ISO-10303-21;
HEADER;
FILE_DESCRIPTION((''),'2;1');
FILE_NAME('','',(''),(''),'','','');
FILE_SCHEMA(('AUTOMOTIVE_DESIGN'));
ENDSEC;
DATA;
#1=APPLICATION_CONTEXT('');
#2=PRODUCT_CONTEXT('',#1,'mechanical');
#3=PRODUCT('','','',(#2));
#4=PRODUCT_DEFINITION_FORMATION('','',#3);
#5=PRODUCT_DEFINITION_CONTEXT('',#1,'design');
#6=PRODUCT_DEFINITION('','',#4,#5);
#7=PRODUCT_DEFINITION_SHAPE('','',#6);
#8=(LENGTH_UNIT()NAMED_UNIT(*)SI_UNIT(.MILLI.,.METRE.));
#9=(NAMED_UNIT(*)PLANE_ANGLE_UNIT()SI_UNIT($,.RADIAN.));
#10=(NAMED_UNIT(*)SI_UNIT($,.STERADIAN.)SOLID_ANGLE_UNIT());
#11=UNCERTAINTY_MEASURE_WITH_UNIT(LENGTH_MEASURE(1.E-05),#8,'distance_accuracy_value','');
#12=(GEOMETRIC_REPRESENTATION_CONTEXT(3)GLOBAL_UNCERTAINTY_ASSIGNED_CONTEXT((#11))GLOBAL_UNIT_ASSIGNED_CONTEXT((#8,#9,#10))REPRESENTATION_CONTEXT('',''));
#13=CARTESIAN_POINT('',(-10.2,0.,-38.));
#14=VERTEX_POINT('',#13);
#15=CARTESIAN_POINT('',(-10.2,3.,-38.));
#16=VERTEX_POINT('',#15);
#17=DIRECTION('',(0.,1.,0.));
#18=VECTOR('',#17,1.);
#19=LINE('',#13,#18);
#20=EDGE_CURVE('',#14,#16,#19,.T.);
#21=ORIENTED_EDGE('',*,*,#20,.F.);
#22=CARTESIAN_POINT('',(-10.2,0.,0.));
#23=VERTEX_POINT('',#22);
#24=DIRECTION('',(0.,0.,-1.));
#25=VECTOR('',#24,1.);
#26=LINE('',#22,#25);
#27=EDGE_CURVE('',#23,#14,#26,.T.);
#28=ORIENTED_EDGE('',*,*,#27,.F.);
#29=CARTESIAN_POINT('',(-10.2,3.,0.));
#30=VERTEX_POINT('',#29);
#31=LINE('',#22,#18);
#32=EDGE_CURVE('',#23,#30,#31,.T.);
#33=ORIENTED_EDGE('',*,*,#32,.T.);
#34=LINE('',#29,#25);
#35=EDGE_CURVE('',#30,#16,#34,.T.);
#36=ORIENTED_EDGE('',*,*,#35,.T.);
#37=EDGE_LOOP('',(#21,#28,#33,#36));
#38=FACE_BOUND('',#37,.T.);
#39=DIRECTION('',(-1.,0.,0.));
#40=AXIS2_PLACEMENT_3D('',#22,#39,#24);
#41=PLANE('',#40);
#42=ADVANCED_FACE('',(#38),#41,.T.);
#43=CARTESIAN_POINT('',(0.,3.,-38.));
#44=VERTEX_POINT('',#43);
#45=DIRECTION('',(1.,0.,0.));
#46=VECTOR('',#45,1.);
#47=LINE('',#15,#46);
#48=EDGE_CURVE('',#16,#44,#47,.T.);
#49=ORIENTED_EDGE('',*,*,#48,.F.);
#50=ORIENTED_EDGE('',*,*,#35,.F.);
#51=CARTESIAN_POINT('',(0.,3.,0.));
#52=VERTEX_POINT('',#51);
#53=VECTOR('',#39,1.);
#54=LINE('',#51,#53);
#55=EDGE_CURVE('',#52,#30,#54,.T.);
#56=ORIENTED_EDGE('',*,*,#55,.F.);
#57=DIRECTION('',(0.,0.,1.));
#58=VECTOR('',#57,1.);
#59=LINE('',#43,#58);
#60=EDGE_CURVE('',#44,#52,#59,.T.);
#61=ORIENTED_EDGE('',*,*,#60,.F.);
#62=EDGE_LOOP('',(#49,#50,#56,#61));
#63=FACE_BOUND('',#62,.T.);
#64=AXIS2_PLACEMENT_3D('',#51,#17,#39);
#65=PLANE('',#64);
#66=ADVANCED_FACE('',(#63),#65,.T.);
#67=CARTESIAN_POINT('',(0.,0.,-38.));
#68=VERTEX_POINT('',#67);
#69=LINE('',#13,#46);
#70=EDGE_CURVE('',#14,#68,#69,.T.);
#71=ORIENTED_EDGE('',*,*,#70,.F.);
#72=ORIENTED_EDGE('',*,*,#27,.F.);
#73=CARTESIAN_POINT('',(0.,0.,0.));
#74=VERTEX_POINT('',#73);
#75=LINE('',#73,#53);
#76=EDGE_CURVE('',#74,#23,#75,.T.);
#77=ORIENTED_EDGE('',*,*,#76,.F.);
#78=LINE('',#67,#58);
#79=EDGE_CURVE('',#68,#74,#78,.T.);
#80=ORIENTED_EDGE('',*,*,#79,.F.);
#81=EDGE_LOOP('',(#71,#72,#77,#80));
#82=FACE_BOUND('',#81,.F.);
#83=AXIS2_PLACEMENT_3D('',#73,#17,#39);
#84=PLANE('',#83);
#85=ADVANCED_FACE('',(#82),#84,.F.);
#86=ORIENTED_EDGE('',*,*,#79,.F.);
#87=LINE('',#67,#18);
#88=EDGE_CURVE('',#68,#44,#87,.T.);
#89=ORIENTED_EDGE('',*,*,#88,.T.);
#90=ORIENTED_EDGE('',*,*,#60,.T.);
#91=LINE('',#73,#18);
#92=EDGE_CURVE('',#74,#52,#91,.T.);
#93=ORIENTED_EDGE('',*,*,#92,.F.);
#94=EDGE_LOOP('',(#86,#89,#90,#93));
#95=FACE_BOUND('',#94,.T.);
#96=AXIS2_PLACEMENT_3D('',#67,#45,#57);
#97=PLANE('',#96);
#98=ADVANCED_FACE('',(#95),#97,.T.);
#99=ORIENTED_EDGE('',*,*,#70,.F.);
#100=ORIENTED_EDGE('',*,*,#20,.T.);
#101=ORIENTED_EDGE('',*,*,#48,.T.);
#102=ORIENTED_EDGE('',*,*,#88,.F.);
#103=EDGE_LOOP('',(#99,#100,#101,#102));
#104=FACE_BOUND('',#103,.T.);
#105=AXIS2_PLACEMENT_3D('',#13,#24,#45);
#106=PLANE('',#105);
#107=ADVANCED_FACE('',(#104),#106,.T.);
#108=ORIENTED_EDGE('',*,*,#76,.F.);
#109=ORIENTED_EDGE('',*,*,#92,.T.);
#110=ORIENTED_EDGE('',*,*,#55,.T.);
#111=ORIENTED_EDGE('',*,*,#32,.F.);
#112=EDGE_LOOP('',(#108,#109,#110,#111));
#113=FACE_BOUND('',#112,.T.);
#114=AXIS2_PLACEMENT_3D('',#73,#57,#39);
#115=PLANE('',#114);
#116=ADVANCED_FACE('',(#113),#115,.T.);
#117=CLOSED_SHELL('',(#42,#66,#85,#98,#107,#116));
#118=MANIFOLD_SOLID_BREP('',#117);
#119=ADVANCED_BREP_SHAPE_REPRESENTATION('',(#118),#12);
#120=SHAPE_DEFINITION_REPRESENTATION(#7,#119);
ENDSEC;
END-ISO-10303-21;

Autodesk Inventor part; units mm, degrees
ref_plane "YZ Plane" through (0, 0, 0) normal (1, 0, 0) x (0, 1, 0)
ref_plane "XZ Plane" through (0, 0, 0) normal (0, 1, 0) x (-1, 0, 0)
ref_plane "XY Plane" through (0, 0, 0) normal (0, 0, 1) x (1, 0, 0)
sketch "Esquisse1" plane through (0, 0, 0) normal (0, 1, 0) x (-1, 0, 0)
  line L0 (0, 0) -> (10.2, 0)
  line L1 (10.2, 0) -> (10.2, -38)
  line L2 (10.2, -38) -> (0, -38)
  line L3 (0, -38) -> (0, 0)
  dimension "d0" = 38
  dimension "d1" = 10.2
extrude "Extrusion1" add sketch "Esquisse1" along normal blind 3
properties part number "renfort"
